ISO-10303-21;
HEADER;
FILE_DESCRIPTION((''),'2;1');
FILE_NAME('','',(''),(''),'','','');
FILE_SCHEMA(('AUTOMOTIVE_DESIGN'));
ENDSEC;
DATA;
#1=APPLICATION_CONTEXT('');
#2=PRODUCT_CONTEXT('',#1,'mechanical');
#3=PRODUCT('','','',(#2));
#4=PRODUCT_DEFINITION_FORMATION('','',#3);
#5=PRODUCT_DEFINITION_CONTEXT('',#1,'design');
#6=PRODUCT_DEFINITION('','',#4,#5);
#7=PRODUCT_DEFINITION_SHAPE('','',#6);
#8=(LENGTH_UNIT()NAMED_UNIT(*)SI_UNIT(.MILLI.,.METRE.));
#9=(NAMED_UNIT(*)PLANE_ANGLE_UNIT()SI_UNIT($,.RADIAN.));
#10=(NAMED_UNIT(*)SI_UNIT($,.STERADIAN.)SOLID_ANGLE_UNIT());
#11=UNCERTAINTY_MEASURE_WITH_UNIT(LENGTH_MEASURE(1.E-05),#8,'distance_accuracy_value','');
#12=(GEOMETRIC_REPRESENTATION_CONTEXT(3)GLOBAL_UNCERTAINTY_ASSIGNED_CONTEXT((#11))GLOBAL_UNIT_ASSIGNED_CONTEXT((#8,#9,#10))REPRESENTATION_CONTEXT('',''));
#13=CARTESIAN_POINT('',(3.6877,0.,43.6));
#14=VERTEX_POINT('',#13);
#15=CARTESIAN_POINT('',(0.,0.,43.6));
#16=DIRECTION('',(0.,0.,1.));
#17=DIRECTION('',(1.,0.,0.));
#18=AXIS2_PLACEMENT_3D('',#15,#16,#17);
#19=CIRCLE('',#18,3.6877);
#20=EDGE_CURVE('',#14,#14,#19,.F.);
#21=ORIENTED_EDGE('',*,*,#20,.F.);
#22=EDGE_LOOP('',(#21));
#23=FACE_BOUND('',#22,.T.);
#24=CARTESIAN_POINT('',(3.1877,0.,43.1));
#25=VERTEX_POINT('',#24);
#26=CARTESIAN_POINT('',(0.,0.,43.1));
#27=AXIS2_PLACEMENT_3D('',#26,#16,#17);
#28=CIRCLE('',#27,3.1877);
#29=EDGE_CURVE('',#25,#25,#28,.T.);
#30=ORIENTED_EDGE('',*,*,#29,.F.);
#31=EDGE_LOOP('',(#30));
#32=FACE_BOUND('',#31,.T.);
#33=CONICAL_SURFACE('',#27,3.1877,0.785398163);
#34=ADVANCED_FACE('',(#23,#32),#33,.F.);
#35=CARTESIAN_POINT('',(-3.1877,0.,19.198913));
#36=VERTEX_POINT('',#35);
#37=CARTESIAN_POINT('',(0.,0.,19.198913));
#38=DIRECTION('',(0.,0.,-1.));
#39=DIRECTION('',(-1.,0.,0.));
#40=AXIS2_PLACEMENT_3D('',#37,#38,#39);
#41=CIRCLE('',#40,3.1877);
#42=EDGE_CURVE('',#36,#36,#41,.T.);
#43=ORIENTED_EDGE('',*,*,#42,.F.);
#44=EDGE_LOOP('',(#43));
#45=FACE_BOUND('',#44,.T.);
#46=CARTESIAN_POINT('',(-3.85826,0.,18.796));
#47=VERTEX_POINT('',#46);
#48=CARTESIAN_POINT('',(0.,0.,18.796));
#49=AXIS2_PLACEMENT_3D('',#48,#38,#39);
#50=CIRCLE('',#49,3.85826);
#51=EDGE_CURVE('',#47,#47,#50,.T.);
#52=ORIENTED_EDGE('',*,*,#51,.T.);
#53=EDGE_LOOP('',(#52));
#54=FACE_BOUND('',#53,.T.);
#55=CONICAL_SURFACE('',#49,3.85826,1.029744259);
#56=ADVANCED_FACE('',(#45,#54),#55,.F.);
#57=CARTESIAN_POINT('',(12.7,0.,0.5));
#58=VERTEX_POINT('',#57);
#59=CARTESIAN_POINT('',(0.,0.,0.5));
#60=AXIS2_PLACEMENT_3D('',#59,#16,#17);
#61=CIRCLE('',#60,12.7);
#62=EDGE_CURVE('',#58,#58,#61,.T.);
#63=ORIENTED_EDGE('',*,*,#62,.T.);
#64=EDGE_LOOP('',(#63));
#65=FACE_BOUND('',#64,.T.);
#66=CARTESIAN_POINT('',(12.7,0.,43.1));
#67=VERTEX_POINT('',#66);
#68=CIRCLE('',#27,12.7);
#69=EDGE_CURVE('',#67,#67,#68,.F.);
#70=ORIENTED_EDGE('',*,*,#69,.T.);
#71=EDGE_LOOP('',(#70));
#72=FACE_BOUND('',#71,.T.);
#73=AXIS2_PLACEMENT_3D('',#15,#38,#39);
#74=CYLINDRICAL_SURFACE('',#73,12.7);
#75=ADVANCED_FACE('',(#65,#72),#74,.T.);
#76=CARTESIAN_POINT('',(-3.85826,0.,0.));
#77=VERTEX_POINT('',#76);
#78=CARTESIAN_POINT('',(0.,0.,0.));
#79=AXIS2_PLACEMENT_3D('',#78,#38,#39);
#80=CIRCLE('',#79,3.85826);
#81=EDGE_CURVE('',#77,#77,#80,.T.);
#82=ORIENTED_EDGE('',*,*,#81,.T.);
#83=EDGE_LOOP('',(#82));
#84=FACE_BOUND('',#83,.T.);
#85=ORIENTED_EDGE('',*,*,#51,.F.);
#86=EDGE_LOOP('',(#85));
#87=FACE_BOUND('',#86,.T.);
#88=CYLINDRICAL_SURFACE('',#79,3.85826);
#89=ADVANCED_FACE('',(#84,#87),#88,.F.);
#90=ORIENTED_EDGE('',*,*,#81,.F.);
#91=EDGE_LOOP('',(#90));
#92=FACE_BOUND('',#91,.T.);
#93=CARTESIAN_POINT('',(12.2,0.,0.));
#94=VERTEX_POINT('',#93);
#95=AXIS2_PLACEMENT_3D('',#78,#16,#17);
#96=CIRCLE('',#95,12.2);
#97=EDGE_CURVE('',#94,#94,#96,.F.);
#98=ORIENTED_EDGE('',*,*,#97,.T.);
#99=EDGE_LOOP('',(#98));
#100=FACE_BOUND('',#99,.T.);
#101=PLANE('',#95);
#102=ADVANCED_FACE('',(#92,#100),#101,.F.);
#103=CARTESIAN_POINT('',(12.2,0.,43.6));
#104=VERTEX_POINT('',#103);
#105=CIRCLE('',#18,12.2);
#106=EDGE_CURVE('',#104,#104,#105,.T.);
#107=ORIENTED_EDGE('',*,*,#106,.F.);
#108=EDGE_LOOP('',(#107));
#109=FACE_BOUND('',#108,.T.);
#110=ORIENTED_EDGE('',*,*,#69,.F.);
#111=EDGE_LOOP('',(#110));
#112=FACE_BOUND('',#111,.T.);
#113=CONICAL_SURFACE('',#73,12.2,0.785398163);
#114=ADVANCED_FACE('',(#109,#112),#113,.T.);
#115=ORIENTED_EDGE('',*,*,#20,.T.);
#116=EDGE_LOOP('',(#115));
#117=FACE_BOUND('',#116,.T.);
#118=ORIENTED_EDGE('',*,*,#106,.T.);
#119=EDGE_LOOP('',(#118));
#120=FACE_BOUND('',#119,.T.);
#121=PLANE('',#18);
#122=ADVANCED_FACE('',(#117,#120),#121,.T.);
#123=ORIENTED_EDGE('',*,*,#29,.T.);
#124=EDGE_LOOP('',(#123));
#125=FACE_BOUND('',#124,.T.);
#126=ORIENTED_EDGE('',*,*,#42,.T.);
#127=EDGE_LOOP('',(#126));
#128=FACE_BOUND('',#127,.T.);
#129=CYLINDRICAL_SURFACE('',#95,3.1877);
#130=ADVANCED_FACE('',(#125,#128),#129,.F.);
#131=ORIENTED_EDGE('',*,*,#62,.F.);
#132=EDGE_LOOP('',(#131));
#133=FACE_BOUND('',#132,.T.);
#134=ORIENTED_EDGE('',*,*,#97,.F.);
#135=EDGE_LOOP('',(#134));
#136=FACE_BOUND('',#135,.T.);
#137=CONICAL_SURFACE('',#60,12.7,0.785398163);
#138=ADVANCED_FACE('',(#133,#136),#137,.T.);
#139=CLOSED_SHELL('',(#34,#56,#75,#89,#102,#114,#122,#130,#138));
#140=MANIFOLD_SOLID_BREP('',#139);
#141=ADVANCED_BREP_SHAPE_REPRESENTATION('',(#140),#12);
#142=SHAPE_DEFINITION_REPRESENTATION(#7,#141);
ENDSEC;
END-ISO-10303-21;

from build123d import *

# Parameters (mm, degrees)
SKETCH1_R                          = 12.7
BOSS_EXTRUDE1_DEPTH                = 43.6
SKETCH2_R                          = 3.1877
CUT_EXTRUDE1_DEPTH                 = 48.154427152
F_5_16_0_3125_DIAMETER_HOLE1_D     = 7.71652
F_5_16_0_3125_DIAMETER_HOLE1_DEPTH = 18.796
F_5_16_0_3125_DIAMETER_HOLE1_TIP   = 2.318276492
CHAMFER1_SIZE                      = 0.5
CHAMFER2_SIZE                      = 0.5


with BuildPart() as part:
    # Sketch1 → Boss-Extrude1 (new body)
    with BuildSketch(Plane.XY):
        Circle(SKETCH1_R)
    extrude(amount=BOSS_EXTRUDE1_DEPTH)

    # Sketch2 → Cut-Extrude1 (cut, through all)
    with BuildSketch(Plane.XY.offset(43.6)):
        Circle(SKETCH2_R)
    extrude(amount=-CUT_EXTRUDE1_DEPTH, mode=Mode.SUBTRACT)

    # 5/16 (0.3125) Diameter Hole1
    with Locations(Plane(origin=(0, 0, 0), x_dir=(-1, 0, 0), z_dir=(0, 0, -1))):
        with Locations((0, 0)):
            Hole(F_5_16_0_3125_DIAMETER_HOLE1_D / 2, depth=F_5_16_0_3125_DIAMETER_HOLE1_DEPTH)
            with Locations((0, 0, -(F_5_16_0_3125_DIAMETER_HOLE1_DEPTH + F_5_16_0_3125_DIAMETER_HOLE1_TIP / 2))):  # 118° drill point
                Cone(0, F_5_16_0_3125_DIAMETER_HOLE1_D / 2, F_5_16_0_3125_DIAMETER_HOLE1_TIP, mode=Mode.SUBTRACT)

    # Chamfer1
    chamfer1_edges = [part.edges().sort_by_distance(p)[0] for p in [
        (-12.7, 0, 0),
        (-12.7, 0, 43.6),
    ]]
    chamfer(chamfer1_edges, length=CHAMFER1_SIZE)

    # Chamfer2
    chamfer2_edges = [part.edges().sort_by_distance(p)[0] for p in [
        (-3.1877, 0, 43.6),
    ]]
    chamfer(chamfer2_edges, length=CHAMFER2_SIZE)


solid = part.part
